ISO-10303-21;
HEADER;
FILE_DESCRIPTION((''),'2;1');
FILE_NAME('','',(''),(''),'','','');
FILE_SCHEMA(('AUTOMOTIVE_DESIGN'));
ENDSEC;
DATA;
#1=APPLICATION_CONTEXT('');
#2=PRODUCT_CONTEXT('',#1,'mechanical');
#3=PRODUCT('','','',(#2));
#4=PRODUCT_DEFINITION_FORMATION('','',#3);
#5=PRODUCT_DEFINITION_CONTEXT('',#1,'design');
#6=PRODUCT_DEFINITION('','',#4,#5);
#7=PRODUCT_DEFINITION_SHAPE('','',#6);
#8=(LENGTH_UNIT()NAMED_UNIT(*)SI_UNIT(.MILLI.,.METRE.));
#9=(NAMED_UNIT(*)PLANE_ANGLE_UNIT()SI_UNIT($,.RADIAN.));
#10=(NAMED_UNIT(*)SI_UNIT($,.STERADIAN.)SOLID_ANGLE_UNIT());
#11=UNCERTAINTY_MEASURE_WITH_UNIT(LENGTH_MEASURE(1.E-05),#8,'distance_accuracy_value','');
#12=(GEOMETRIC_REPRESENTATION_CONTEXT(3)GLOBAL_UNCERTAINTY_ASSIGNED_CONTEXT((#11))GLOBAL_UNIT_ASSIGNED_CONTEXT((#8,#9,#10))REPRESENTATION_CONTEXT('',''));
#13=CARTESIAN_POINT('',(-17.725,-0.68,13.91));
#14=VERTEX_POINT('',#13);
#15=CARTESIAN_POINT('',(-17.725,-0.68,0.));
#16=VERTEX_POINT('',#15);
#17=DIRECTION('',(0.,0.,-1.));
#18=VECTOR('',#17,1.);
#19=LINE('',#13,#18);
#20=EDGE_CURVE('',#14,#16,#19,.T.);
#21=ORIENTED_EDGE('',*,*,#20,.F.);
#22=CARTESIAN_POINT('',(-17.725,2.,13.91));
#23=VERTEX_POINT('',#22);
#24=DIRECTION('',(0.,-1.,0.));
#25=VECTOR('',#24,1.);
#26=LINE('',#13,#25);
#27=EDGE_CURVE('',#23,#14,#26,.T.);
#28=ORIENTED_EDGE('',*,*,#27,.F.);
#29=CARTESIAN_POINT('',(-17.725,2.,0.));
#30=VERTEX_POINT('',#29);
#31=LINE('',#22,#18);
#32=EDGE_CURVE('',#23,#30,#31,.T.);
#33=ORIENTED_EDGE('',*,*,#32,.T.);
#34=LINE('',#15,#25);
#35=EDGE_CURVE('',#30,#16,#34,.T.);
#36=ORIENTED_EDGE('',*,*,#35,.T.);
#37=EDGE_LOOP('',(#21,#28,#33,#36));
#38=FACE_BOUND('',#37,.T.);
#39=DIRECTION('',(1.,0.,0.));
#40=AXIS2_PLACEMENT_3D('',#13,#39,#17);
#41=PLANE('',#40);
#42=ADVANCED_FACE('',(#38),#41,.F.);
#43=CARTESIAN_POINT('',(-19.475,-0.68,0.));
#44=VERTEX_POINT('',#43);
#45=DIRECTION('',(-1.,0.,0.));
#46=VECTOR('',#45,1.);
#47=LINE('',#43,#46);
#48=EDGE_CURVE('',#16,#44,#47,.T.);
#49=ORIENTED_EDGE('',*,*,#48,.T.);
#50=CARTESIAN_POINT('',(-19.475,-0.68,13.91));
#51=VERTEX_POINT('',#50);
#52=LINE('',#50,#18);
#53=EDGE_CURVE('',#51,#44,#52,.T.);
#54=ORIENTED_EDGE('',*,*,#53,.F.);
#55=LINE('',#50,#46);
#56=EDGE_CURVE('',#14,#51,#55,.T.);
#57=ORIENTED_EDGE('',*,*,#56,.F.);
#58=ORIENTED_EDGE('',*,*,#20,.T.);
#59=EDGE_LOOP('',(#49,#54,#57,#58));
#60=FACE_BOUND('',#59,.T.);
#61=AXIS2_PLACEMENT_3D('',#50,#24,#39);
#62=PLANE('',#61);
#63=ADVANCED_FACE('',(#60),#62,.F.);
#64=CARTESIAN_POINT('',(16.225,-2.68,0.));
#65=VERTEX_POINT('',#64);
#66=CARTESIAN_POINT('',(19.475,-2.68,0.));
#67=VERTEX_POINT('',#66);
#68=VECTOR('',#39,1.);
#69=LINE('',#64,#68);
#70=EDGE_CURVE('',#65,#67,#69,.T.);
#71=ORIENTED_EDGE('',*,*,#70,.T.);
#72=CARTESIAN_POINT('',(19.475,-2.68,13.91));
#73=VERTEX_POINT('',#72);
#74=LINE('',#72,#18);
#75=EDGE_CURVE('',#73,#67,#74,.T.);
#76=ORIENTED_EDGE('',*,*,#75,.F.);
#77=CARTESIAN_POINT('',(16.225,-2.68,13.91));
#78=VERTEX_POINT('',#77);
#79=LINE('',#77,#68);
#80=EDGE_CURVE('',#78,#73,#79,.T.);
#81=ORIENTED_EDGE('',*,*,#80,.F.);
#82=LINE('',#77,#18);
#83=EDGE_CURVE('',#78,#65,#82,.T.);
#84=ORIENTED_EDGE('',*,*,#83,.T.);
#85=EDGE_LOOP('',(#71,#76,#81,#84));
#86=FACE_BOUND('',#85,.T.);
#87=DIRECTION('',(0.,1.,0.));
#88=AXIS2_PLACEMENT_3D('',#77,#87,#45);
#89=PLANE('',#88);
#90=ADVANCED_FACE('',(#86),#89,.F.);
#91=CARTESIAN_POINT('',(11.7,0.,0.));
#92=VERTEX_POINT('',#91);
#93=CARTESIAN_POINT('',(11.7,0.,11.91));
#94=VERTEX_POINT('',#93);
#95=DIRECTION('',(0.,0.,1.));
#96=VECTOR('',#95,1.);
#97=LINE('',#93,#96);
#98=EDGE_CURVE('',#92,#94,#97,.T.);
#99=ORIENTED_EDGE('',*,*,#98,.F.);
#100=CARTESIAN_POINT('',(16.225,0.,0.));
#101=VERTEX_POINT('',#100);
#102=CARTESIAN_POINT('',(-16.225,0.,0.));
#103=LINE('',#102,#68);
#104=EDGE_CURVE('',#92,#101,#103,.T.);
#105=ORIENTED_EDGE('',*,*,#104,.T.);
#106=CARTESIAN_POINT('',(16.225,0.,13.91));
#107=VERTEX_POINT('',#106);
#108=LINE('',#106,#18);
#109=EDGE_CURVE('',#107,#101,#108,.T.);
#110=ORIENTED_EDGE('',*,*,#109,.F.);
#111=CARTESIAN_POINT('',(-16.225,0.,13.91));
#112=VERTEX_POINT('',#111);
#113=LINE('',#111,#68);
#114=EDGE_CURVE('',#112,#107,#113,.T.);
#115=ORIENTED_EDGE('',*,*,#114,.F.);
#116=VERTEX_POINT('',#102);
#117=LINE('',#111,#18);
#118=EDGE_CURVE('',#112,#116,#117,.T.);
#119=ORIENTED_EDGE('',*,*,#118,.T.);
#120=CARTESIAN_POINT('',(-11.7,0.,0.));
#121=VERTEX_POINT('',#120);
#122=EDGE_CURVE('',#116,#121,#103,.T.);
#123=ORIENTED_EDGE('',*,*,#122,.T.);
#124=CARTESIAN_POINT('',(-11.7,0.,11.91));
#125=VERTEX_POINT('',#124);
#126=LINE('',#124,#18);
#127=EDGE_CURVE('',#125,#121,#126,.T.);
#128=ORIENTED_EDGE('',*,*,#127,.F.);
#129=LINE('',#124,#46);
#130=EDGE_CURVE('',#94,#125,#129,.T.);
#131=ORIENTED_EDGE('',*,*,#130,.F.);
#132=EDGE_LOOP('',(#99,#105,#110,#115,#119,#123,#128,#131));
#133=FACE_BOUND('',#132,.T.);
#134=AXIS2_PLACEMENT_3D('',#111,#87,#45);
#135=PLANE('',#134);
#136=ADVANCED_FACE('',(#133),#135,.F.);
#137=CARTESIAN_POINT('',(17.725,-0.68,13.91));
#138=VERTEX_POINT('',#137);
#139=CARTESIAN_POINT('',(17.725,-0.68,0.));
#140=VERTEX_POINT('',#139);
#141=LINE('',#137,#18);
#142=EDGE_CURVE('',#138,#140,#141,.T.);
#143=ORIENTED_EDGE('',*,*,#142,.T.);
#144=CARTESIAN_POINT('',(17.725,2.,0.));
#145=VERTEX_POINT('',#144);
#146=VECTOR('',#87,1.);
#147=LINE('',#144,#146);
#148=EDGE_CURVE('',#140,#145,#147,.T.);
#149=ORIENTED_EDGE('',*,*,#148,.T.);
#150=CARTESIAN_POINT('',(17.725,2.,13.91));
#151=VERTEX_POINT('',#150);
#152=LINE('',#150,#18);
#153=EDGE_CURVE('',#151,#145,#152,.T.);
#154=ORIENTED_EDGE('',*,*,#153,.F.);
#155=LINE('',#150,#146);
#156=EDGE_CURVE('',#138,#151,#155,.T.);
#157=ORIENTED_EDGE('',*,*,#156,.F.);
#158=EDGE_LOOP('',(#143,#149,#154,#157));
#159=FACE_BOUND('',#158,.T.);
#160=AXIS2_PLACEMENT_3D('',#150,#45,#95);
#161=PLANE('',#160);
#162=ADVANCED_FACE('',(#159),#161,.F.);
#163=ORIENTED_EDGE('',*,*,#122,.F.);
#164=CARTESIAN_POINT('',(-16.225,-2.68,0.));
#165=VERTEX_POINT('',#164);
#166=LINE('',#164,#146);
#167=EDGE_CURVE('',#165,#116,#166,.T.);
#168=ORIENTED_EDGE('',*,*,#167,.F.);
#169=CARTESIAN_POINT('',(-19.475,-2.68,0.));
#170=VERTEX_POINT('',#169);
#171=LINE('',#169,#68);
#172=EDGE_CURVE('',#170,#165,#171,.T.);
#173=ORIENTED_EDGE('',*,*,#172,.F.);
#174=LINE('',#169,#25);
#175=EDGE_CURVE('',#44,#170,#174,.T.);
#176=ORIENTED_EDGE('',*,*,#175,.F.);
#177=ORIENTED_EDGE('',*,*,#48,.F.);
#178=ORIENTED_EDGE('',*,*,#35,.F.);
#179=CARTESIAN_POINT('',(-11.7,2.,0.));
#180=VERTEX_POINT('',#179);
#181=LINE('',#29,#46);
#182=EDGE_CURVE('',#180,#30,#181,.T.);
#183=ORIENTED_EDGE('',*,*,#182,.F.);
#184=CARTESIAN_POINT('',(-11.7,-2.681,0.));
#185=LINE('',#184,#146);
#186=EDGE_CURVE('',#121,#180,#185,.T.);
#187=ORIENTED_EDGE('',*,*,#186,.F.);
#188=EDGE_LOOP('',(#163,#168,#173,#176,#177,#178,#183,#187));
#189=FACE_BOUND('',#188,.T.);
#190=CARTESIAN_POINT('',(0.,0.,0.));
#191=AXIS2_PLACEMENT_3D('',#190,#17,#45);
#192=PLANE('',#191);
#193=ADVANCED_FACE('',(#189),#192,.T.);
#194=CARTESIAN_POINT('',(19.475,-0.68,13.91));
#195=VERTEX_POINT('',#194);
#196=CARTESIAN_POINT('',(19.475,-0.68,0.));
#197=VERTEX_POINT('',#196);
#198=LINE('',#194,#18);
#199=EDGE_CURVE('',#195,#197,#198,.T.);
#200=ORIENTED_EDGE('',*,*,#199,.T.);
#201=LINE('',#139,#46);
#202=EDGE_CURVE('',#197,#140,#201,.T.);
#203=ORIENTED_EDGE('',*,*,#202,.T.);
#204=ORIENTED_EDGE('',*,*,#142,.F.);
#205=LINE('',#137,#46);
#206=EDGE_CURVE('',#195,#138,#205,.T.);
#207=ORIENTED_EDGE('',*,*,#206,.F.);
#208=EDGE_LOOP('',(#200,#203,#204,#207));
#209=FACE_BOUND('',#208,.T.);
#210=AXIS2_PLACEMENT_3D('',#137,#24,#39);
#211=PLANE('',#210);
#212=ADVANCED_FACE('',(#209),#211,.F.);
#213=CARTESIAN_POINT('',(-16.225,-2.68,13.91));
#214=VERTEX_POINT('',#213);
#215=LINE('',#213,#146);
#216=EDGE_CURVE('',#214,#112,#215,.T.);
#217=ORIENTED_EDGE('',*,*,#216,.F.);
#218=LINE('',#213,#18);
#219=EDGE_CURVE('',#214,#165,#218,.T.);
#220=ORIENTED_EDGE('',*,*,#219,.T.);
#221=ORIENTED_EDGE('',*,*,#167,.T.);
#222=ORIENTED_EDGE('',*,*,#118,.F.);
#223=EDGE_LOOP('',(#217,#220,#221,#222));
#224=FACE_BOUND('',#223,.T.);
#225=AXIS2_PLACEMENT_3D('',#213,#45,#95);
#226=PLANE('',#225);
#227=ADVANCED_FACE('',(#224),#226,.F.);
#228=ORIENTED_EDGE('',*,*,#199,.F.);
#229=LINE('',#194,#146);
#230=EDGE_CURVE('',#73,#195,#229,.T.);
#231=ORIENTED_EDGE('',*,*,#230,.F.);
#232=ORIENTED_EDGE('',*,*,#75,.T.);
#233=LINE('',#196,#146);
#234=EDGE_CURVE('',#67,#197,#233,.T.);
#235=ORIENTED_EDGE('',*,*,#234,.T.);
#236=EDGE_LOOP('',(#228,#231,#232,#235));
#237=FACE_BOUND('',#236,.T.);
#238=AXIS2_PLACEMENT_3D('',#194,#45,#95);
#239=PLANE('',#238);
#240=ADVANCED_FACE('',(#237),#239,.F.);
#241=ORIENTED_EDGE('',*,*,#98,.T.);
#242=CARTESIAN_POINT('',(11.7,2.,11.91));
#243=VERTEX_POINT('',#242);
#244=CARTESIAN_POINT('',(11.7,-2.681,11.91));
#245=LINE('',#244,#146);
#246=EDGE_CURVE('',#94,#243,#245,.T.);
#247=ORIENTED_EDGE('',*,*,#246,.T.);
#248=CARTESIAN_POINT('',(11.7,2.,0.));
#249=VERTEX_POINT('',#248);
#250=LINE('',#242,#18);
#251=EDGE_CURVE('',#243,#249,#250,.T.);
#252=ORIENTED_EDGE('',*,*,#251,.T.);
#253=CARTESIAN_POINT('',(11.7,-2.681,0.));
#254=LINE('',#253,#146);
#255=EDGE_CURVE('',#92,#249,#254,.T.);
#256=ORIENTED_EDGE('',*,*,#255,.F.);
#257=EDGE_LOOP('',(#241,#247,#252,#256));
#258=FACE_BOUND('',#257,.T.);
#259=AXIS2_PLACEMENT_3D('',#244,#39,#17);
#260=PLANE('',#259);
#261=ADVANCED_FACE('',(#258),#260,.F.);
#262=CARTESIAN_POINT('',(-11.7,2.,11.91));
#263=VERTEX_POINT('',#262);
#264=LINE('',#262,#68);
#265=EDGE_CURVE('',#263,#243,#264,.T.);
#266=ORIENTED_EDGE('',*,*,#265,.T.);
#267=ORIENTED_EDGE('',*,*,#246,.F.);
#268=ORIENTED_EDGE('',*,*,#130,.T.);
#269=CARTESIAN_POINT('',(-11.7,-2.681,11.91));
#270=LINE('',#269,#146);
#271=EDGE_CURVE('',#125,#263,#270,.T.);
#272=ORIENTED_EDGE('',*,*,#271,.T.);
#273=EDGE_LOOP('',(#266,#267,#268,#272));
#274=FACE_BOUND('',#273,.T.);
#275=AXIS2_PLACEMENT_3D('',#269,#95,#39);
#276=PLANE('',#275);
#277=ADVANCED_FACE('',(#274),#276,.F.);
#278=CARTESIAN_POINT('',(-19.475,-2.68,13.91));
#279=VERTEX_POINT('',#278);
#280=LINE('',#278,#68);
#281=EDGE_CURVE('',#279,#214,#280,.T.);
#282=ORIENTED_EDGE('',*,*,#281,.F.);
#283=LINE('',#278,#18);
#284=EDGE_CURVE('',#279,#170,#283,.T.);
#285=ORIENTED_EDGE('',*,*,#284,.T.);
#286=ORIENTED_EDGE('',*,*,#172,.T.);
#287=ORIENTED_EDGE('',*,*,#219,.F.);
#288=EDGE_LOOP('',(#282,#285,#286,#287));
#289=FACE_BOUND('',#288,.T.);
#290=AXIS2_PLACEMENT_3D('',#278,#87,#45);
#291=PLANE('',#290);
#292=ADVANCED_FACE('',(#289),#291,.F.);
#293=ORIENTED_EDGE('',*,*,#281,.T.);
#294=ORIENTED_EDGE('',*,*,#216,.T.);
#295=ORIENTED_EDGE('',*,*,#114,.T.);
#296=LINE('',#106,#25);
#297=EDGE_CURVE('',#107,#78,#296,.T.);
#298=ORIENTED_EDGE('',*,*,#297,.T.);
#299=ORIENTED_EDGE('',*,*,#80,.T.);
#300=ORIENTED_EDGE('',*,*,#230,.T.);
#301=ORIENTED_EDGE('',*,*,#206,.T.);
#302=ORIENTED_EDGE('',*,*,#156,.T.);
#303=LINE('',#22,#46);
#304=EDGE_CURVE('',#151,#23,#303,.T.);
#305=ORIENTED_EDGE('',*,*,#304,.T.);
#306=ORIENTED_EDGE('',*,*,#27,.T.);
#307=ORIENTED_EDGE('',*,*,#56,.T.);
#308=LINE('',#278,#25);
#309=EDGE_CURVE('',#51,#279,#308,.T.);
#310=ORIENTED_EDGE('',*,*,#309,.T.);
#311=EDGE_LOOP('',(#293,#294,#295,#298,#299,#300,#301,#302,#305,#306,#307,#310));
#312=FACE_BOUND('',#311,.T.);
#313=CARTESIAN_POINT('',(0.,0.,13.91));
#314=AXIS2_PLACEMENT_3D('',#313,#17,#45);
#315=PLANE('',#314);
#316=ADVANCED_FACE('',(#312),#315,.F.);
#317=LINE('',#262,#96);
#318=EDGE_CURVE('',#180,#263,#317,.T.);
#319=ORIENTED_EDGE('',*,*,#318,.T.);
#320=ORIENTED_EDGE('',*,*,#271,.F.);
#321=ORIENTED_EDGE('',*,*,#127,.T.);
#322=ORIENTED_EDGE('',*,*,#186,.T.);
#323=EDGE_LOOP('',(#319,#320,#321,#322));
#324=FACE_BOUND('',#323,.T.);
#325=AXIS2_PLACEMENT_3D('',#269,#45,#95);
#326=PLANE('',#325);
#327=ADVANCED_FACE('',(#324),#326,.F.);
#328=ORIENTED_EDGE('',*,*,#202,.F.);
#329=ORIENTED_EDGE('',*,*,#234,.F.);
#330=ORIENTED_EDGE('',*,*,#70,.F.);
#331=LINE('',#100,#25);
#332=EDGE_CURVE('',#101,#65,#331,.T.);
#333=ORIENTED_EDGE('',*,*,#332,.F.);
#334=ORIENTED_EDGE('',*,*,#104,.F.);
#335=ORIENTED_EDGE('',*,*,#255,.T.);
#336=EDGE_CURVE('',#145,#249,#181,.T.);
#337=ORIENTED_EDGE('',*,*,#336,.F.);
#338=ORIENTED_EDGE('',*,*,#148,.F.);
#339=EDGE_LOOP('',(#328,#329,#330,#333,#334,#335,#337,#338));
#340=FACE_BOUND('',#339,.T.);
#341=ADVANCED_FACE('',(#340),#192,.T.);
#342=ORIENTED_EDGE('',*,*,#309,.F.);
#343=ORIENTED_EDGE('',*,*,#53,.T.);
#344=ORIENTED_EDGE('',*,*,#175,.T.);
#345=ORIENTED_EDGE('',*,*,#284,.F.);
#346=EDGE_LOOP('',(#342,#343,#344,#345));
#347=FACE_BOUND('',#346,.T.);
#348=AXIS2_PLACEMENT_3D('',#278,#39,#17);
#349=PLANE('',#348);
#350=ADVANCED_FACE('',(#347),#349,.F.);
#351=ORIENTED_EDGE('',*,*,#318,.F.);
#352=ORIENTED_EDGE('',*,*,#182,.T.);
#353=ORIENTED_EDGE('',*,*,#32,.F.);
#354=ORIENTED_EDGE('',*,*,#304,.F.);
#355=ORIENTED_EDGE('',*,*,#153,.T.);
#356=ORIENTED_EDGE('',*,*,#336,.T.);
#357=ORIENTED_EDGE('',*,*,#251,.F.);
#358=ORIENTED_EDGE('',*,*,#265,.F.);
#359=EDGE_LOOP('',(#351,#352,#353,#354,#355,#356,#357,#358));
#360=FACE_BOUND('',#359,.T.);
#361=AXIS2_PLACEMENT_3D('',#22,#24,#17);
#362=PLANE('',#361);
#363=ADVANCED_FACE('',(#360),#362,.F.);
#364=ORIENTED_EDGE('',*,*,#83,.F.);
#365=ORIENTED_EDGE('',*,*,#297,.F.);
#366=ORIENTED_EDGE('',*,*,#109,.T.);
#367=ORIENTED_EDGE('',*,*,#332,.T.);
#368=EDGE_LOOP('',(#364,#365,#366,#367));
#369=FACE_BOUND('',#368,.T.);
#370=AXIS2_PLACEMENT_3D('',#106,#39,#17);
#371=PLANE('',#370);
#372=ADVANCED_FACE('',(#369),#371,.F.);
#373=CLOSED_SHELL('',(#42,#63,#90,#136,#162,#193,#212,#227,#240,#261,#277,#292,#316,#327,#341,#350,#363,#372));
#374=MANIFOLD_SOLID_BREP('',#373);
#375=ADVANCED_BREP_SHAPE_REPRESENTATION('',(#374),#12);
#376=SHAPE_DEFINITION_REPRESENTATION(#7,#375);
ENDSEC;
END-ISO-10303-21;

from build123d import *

# Parameters (mm, degrees)
BOSS_EXTRUDE1_DEPTH = 13.91
CUT_EXTRUDE1_REACH  = 26.386
SKETCH2_W           = 23.4
SKETCH2_H           = 11.91


with BuildPart() as part:
    # Sketch1 → Boss-Extrude1 (new body)
    with BuildSketch(Plane.XY):
        Polygon((-19.475, -2.68), (-16.225, -2.68), (-16.225, 0), (16.225, 0), (16.225, -2.68), (19.475, -2.68), (19.475, -0.68), (17.725, -0.68), (17.725, 2), (-17.725, 2), (-17.725, -0.68), (-19.475, -0.68), align=None)
    extrude(amount=BOSS_EXTRUDE1_DEPTH)

    # Sketch2 → Cut-Extrude1 (cut, up to next)
    with BuildSketch(Plane(origin=(0, 2, 0), x_dir=(1, 0, 0), z_dir=(0, 1, 0)), mode=Mode.PRIVATE) as cut_extrude1_sk1:
        with Locations((0, -5.955)):
            Rectangle(SKETCH2_W, SKETCH2_H)
    cut_extrude1_tool1 = extrude(cut_extrude1_sk1.sketch, amount=-CUT_EXTRUDE1_REACH, mode=Mode.PRIVATE) & part.part
    add(cut_extrude1_tool1.solids().sort_by_distance((0, 2, 5.955))[0], mode=Mode.SUBTRACT)


solid = part.part
